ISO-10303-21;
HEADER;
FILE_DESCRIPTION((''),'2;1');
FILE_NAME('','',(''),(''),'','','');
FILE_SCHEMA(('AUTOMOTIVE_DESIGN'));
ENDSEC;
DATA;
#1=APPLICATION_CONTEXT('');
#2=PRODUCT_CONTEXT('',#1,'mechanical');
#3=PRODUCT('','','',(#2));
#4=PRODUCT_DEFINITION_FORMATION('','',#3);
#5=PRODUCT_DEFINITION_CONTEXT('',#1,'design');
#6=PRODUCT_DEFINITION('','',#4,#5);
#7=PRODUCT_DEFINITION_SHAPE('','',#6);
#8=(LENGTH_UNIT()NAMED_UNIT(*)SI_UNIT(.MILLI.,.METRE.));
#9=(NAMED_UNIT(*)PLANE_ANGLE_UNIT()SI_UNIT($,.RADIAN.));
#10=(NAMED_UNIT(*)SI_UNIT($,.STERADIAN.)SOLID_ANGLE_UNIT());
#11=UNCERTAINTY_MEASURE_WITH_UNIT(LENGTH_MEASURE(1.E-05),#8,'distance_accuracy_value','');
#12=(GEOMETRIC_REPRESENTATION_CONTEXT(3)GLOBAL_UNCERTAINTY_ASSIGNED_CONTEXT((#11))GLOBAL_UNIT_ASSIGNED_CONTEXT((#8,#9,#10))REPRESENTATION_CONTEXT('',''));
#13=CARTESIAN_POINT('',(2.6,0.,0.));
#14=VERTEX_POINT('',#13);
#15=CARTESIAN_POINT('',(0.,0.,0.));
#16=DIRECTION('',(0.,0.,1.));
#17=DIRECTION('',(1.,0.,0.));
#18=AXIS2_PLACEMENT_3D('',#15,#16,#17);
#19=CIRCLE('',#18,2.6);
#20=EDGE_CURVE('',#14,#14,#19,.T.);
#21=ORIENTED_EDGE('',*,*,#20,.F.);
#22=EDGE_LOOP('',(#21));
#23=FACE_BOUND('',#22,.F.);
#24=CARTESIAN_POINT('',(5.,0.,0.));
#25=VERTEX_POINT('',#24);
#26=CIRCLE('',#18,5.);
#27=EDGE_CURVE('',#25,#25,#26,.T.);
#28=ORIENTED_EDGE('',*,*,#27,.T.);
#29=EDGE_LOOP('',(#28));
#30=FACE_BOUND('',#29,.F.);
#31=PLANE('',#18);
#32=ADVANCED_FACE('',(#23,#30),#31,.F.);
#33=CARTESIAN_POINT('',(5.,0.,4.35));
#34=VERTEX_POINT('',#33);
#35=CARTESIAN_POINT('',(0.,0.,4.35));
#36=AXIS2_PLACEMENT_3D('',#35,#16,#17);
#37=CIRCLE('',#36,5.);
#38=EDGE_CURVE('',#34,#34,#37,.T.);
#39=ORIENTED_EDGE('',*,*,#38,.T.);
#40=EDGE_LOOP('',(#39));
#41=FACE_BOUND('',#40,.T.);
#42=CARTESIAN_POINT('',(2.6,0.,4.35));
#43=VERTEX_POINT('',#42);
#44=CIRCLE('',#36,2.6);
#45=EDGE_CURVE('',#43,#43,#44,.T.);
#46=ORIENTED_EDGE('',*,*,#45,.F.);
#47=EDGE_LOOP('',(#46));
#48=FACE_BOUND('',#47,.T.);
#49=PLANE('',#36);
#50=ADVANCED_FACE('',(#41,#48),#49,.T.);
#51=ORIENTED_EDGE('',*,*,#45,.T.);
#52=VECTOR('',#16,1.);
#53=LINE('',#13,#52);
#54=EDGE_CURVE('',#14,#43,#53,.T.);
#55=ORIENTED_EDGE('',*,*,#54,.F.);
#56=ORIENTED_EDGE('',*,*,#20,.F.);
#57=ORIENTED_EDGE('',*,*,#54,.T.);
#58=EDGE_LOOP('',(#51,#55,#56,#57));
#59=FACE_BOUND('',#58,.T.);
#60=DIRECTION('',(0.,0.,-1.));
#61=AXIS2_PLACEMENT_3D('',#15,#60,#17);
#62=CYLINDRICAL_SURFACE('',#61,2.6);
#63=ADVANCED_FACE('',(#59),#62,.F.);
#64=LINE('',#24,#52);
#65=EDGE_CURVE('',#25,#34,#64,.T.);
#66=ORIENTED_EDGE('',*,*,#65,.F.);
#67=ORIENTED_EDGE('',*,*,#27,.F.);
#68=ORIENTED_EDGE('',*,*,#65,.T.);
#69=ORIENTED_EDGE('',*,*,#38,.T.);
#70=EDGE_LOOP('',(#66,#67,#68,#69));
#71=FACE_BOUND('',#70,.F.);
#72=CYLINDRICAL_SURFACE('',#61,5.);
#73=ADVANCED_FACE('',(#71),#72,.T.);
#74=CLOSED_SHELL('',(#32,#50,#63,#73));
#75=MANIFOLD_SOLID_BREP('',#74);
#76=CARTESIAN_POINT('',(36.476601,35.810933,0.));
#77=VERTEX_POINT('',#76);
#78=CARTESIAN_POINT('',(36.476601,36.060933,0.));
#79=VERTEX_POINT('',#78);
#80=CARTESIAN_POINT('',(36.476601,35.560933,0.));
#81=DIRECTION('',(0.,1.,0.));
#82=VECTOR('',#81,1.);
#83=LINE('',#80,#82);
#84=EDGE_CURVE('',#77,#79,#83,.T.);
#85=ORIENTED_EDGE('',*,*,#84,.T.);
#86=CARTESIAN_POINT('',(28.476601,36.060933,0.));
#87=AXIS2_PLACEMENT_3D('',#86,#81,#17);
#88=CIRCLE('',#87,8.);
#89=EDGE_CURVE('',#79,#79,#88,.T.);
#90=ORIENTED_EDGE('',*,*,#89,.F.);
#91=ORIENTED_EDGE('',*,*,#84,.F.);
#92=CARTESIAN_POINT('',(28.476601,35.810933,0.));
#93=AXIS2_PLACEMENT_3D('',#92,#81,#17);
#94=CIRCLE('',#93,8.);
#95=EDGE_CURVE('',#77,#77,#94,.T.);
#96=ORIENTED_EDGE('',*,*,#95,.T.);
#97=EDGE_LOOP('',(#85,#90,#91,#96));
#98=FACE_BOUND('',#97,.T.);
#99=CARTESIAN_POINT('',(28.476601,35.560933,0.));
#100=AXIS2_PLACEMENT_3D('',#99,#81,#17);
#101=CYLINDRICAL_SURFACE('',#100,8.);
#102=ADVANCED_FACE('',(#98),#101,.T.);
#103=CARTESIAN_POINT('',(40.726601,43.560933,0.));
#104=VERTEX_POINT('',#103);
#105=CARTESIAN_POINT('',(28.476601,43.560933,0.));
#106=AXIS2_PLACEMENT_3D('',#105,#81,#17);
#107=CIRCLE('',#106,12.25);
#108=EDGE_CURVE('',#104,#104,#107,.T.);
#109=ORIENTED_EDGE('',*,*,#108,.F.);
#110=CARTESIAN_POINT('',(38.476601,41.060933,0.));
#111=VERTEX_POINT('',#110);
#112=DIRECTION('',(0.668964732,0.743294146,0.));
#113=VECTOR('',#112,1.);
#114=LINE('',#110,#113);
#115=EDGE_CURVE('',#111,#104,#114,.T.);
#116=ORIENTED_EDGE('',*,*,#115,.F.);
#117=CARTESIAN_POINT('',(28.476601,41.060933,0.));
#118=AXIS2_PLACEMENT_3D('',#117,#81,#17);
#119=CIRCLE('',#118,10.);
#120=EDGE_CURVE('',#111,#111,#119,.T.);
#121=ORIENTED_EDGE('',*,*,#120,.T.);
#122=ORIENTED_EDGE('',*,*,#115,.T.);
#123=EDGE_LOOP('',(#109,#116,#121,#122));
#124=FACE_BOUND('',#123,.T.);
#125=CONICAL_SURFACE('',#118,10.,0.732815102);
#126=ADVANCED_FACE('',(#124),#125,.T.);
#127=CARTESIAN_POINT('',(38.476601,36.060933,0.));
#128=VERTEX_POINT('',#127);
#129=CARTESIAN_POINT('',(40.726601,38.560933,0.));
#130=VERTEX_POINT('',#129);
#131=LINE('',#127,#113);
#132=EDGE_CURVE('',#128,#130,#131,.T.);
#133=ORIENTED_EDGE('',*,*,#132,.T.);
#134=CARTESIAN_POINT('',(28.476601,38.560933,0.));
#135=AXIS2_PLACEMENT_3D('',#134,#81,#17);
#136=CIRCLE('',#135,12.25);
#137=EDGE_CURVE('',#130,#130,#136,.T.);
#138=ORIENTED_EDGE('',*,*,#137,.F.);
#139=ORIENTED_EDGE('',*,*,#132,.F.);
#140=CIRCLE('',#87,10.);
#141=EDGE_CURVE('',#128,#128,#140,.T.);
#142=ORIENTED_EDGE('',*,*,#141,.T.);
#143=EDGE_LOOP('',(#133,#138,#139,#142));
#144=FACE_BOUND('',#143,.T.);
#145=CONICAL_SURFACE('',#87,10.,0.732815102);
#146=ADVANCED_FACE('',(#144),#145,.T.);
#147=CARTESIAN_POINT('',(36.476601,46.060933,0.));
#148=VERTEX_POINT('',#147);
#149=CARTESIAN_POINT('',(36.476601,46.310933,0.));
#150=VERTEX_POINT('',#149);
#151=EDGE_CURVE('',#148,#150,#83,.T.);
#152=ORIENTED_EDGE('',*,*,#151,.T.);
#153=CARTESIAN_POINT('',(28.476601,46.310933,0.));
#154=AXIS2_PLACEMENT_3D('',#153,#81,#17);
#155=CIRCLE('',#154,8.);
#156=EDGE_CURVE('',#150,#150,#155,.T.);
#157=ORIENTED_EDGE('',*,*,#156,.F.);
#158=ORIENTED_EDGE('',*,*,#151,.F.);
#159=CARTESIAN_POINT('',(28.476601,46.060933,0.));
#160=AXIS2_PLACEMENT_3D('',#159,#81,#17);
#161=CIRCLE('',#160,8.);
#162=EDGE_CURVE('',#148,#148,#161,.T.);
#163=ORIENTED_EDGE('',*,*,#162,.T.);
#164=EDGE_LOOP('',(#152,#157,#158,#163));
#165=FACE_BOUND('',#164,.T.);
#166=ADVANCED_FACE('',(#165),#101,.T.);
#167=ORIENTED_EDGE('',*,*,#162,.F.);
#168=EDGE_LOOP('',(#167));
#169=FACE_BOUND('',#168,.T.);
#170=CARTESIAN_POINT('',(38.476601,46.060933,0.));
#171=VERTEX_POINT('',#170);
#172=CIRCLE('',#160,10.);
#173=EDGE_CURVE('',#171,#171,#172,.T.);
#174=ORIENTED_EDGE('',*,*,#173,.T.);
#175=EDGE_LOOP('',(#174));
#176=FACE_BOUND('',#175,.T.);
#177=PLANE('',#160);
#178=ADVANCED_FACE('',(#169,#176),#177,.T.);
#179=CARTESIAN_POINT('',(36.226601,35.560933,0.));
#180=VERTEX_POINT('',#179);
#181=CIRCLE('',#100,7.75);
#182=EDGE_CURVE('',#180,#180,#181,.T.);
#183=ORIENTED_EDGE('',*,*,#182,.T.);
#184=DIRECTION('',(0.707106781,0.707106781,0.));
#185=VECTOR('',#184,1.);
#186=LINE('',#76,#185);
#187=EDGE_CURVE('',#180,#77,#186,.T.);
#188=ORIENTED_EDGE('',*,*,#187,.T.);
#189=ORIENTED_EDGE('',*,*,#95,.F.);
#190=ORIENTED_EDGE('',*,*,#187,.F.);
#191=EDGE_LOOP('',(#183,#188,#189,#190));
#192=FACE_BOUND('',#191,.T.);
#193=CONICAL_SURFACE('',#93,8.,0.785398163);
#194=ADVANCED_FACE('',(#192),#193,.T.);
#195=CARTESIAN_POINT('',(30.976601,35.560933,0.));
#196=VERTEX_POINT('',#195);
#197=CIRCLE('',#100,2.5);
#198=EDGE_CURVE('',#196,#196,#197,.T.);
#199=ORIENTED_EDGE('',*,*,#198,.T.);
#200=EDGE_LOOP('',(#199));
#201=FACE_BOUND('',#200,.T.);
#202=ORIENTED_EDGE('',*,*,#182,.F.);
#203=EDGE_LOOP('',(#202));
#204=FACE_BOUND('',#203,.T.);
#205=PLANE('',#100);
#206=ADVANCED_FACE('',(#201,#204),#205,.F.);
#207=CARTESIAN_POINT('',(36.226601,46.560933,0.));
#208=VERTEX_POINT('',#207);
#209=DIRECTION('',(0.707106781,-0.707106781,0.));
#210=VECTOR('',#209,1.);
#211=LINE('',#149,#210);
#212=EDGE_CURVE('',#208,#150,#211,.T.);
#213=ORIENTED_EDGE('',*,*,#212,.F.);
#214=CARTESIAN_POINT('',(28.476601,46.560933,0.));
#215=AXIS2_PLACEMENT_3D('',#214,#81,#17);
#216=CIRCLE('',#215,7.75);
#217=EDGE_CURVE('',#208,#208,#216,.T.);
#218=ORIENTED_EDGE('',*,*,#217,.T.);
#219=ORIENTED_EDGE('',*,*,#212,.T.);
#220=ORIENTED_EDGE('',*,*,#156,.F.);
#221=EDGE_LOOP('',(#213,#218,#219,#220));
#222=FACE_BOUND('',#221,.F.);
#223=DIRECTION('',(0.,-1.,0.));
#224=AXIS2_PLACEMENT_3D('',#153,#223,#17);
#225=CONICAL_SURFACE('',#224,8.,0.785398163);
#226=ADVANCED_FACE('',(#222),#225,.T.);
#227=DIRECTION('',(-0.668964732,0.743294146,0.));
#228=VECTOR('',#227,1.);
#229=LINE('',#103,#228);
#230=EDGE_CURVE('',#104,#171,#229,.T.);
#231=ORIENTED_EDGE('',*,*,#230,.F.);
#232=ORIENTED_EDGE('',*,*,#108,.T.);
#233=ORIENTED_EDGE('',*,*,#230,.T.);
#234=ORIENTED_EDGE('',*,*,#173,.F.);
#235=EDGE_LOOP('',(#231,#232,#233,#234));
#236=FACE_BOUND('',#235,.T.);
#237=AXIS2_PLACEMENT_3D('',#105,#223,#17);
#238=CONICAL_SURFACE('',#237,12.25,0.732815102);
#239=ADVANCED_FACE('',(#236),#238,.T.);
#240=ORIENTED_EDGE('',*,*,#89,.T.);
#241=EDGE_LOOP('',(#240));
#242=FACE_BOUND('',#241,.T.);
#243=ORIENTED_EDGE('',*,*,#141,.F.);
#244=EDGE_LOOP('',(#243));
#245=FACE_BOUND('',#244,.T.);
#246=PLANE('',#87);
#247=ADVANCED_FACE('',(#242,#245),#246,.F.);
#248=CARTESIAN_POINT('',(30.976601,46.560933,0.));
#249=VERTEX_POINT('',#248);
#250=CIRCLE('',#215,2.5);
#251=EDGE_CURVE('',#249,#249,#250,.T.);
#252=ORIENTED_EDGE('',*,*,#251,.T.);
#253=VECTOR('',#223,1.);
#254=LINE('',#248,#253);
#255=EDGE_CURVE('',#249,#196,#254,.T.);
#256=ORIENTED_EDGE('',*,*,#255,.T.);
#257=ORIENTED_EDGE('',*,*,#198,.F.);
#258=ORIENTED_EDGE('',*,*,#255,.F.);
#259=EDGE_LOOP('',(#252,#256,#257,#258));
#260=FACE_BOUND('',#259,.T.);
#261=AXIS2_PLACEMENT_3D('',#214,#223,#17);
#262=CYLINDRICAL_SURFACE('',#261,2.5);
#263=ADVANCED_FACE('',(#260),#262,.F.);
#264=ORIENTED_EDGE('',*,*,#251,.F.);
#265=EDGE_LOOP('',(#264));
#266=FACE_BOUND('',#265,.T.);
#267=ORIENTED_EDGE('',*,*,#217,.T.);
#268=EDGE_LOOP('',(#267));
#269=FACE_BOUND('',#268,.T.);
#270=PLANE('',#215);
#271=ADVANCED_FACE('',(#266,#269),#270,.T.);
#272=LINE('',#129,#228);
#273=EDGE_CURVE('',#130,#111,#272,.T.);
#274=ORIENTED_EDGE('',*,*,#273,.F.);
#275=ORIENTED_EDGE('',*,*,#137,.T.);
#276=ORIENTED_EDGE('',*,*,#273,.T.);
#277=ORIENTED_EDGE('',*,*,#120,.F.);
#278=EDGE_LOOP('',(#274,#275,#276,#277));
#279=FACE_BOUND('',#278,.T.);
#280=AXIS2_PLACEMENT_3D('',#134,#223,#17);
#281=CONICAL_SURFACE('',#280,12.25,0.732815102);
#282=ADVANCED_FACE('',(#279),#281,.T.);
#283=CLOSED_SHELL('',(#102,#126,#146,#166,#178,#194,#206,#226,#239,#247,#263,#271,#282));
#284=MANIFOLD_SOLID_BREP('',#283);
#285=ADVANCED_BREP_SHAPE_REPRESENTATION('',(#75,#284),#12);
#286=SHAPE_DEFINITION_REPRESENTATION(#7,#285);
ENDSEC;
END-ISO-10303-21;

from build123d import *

# Parameters (mm, degrees)
F0_R     = 5
F0_R_2   = 2.6
F1_DEPTH = 4.35
F4_SIZE  = 0.25
F5_SIZE  = 0.25


with BuildPart() as f1:
    # F0 (on Top) → F1 (new body)
    with BuildSketch(Plane.XY):
        Circle(F0_R)
        Circle(F0_R_2, mode=Mode.SUBTRACT)
    extrude(amount=F1_DEPTH)


with BuildPart() as f3:
    # F2 (on Top) → F3 (revolve)
    with BuildSketch(Plane.XY):
        Polygon((36.4766009152, 46.5609329939), (30.9766009152, 46.5609329939), (30.9766009152, 35.5609329939), (36.4766009152, 35.5609329939), (36.4766009152, 36.0609329939), (36.4766009152, 46.0609329939), align=None)
        Polygon((38.4766009152, 46.0609329939), (36.4766009152, 46.0609329939), (36.4766009152, 36.0609329939), (38.4766009152, 36.0609329939), (38.4766009152, 41.0609329939), align=None)
        Polygon((40.7266009152, 43.5609329939), (38.4766009152, 46.0609329939), (38.4766009152, 41.0609329939), align=None)
        Polygon((38.4766009152, 41.0609329939), (38.4766009152, 36.0609329939), (40.7266009152, 38.5609329939), align=None)
    revolve(axis=Axis((28.4766009152, 40.2543731332, 0), (0, 1, 0)))

    # F4
    f4_edges = [f3.edges().sort_by_distance(p)[0] for p in [
        (20.476601, 35.560933, 0),
    ]]
    chamfer(f4_edges, length=F4_SIZE)

    # F5
    f5_edges = [f3.edges().sort_by_distance(p)[0] for p in [
        (20.476601, 46.560933, 0),
    ]]
    chamfer(f5_edges, length=F5_SIZE)


solid = Compound([f1.part, f3.part])
